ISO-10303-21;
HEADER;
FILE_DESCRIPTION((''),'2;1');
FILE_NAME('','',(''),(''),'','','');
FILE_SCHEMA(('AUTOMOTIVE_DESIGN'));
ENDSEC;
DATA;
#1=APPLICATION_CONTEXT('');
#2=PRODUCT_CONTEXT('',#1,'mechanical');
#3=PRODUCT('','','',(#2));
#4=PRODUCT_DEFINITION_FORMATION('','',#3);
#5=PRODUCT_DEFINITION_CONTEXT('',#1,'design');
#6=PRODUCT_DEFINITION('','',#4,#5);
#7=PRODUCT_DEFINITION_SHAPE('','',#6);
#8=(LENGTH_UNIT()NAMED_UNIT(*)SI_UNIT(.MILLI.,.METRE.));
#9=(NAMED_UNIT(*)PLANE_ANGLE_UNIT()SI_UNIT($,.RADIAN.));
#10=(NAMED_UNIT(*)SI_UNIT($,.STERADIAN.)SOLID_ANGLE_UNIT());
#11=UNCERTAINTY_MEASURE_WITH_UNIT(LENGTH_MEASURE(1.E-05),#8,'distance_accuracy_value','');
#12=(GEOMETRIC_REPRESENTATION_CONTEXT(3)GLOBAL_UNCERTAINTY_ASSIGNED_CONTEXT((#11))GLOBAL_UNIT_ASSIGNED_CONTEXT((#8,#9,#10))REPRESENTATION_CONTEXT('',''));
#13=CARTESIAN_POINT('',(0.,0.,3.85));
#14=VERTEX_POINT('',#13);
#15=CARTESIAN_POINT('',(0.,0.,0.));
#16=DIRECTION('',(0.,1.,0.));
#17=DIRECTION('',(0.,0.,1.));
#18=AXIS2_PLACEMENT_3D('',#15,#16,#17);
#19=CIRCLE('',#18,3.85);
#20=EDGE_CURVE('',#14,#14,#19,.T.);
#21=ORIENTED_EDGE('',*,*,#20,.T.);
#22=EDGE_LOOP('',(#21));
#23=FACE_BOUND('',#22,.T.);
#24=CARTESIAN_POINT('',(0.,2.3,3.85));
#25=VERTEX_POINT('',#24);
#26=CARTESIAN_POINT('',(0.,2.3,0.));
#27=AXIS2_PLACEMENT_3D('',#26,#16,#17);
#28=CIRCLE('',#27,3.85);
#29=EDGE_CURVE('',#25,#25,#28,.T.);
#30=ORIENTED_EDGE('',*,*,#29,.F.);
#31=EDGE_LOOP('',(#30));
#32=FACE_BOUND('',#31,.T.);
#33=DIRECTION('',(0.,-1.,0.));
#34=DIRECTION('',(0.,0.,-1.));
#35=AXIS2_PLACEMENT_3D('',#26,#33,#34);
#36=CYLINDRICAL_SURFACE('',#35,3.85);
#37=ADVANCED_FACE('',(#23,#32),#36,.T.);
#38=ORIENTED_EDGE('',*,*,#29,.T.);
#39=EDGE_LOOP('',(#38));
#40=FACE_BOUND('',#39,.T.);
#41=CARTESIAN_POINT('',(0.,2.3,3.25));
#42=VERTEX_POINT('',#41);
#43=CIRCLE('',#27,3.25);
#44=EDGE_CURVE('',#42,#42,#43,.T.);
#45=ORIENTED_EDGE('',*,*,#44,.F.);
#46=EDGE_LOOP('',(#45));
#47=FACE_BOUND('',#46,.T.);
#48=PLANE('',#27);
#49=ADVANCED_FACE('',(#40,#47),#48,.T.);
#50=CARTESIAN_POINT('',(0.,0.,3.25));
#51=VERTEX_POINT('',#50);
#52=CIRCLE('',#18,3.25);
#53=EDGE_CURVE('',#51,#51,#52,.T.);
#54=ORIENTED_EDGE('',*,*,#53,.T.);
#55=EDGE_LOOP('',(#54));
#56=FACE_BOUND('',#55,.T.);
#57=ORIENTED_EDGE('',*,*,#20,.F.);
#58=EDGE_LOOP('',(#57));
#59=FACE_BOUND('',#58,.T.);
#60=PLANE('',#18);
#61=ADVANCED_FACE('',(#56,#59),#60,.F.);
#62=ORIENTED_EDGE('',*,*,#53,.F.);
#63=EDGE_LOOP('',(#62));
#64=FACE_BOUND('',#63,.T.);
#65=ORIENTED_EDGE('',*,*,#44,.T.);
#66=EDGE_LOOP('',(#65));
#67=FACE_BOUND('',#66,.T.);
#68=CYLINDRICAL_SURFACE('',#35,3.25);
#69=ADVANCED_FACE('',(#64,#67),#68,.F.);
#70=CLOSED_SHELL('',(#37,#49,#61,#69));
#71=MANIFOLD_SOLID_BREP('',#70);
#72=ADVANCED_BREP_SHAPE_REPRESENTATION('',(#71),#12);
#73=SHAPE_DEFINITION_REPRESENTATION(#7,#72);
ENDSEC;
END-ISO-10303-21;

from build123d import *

# Parameters (mm, degrees)
ESQUISSE1_R        = 3.85
ESQUISSE1_R_2      = 3.25
BOSS_EXTRU_1_DEPTH = 2.3


with BuildPart() as part:
    # Esquisse1 → Boss.-Extru.1 (new body)
    with BuildSketch(Plane(origin=(0, 0, 0), x_dir=(1, 0, 0), z_dir=(0, 1, 0))):
        with Locations(Location((0, 0, 0), (0, 0, 270))):
            Circle(ESQUISSE1_R)
        with Locations(Location((0, 0, 0), (0, 0, 270))):
            Circle(ESQUISSE1_R_2, mode=Mode.SUBTRACT)
    extrude(amount=BOSS_EXTRU_1_DEPTH)


solid = part.part
